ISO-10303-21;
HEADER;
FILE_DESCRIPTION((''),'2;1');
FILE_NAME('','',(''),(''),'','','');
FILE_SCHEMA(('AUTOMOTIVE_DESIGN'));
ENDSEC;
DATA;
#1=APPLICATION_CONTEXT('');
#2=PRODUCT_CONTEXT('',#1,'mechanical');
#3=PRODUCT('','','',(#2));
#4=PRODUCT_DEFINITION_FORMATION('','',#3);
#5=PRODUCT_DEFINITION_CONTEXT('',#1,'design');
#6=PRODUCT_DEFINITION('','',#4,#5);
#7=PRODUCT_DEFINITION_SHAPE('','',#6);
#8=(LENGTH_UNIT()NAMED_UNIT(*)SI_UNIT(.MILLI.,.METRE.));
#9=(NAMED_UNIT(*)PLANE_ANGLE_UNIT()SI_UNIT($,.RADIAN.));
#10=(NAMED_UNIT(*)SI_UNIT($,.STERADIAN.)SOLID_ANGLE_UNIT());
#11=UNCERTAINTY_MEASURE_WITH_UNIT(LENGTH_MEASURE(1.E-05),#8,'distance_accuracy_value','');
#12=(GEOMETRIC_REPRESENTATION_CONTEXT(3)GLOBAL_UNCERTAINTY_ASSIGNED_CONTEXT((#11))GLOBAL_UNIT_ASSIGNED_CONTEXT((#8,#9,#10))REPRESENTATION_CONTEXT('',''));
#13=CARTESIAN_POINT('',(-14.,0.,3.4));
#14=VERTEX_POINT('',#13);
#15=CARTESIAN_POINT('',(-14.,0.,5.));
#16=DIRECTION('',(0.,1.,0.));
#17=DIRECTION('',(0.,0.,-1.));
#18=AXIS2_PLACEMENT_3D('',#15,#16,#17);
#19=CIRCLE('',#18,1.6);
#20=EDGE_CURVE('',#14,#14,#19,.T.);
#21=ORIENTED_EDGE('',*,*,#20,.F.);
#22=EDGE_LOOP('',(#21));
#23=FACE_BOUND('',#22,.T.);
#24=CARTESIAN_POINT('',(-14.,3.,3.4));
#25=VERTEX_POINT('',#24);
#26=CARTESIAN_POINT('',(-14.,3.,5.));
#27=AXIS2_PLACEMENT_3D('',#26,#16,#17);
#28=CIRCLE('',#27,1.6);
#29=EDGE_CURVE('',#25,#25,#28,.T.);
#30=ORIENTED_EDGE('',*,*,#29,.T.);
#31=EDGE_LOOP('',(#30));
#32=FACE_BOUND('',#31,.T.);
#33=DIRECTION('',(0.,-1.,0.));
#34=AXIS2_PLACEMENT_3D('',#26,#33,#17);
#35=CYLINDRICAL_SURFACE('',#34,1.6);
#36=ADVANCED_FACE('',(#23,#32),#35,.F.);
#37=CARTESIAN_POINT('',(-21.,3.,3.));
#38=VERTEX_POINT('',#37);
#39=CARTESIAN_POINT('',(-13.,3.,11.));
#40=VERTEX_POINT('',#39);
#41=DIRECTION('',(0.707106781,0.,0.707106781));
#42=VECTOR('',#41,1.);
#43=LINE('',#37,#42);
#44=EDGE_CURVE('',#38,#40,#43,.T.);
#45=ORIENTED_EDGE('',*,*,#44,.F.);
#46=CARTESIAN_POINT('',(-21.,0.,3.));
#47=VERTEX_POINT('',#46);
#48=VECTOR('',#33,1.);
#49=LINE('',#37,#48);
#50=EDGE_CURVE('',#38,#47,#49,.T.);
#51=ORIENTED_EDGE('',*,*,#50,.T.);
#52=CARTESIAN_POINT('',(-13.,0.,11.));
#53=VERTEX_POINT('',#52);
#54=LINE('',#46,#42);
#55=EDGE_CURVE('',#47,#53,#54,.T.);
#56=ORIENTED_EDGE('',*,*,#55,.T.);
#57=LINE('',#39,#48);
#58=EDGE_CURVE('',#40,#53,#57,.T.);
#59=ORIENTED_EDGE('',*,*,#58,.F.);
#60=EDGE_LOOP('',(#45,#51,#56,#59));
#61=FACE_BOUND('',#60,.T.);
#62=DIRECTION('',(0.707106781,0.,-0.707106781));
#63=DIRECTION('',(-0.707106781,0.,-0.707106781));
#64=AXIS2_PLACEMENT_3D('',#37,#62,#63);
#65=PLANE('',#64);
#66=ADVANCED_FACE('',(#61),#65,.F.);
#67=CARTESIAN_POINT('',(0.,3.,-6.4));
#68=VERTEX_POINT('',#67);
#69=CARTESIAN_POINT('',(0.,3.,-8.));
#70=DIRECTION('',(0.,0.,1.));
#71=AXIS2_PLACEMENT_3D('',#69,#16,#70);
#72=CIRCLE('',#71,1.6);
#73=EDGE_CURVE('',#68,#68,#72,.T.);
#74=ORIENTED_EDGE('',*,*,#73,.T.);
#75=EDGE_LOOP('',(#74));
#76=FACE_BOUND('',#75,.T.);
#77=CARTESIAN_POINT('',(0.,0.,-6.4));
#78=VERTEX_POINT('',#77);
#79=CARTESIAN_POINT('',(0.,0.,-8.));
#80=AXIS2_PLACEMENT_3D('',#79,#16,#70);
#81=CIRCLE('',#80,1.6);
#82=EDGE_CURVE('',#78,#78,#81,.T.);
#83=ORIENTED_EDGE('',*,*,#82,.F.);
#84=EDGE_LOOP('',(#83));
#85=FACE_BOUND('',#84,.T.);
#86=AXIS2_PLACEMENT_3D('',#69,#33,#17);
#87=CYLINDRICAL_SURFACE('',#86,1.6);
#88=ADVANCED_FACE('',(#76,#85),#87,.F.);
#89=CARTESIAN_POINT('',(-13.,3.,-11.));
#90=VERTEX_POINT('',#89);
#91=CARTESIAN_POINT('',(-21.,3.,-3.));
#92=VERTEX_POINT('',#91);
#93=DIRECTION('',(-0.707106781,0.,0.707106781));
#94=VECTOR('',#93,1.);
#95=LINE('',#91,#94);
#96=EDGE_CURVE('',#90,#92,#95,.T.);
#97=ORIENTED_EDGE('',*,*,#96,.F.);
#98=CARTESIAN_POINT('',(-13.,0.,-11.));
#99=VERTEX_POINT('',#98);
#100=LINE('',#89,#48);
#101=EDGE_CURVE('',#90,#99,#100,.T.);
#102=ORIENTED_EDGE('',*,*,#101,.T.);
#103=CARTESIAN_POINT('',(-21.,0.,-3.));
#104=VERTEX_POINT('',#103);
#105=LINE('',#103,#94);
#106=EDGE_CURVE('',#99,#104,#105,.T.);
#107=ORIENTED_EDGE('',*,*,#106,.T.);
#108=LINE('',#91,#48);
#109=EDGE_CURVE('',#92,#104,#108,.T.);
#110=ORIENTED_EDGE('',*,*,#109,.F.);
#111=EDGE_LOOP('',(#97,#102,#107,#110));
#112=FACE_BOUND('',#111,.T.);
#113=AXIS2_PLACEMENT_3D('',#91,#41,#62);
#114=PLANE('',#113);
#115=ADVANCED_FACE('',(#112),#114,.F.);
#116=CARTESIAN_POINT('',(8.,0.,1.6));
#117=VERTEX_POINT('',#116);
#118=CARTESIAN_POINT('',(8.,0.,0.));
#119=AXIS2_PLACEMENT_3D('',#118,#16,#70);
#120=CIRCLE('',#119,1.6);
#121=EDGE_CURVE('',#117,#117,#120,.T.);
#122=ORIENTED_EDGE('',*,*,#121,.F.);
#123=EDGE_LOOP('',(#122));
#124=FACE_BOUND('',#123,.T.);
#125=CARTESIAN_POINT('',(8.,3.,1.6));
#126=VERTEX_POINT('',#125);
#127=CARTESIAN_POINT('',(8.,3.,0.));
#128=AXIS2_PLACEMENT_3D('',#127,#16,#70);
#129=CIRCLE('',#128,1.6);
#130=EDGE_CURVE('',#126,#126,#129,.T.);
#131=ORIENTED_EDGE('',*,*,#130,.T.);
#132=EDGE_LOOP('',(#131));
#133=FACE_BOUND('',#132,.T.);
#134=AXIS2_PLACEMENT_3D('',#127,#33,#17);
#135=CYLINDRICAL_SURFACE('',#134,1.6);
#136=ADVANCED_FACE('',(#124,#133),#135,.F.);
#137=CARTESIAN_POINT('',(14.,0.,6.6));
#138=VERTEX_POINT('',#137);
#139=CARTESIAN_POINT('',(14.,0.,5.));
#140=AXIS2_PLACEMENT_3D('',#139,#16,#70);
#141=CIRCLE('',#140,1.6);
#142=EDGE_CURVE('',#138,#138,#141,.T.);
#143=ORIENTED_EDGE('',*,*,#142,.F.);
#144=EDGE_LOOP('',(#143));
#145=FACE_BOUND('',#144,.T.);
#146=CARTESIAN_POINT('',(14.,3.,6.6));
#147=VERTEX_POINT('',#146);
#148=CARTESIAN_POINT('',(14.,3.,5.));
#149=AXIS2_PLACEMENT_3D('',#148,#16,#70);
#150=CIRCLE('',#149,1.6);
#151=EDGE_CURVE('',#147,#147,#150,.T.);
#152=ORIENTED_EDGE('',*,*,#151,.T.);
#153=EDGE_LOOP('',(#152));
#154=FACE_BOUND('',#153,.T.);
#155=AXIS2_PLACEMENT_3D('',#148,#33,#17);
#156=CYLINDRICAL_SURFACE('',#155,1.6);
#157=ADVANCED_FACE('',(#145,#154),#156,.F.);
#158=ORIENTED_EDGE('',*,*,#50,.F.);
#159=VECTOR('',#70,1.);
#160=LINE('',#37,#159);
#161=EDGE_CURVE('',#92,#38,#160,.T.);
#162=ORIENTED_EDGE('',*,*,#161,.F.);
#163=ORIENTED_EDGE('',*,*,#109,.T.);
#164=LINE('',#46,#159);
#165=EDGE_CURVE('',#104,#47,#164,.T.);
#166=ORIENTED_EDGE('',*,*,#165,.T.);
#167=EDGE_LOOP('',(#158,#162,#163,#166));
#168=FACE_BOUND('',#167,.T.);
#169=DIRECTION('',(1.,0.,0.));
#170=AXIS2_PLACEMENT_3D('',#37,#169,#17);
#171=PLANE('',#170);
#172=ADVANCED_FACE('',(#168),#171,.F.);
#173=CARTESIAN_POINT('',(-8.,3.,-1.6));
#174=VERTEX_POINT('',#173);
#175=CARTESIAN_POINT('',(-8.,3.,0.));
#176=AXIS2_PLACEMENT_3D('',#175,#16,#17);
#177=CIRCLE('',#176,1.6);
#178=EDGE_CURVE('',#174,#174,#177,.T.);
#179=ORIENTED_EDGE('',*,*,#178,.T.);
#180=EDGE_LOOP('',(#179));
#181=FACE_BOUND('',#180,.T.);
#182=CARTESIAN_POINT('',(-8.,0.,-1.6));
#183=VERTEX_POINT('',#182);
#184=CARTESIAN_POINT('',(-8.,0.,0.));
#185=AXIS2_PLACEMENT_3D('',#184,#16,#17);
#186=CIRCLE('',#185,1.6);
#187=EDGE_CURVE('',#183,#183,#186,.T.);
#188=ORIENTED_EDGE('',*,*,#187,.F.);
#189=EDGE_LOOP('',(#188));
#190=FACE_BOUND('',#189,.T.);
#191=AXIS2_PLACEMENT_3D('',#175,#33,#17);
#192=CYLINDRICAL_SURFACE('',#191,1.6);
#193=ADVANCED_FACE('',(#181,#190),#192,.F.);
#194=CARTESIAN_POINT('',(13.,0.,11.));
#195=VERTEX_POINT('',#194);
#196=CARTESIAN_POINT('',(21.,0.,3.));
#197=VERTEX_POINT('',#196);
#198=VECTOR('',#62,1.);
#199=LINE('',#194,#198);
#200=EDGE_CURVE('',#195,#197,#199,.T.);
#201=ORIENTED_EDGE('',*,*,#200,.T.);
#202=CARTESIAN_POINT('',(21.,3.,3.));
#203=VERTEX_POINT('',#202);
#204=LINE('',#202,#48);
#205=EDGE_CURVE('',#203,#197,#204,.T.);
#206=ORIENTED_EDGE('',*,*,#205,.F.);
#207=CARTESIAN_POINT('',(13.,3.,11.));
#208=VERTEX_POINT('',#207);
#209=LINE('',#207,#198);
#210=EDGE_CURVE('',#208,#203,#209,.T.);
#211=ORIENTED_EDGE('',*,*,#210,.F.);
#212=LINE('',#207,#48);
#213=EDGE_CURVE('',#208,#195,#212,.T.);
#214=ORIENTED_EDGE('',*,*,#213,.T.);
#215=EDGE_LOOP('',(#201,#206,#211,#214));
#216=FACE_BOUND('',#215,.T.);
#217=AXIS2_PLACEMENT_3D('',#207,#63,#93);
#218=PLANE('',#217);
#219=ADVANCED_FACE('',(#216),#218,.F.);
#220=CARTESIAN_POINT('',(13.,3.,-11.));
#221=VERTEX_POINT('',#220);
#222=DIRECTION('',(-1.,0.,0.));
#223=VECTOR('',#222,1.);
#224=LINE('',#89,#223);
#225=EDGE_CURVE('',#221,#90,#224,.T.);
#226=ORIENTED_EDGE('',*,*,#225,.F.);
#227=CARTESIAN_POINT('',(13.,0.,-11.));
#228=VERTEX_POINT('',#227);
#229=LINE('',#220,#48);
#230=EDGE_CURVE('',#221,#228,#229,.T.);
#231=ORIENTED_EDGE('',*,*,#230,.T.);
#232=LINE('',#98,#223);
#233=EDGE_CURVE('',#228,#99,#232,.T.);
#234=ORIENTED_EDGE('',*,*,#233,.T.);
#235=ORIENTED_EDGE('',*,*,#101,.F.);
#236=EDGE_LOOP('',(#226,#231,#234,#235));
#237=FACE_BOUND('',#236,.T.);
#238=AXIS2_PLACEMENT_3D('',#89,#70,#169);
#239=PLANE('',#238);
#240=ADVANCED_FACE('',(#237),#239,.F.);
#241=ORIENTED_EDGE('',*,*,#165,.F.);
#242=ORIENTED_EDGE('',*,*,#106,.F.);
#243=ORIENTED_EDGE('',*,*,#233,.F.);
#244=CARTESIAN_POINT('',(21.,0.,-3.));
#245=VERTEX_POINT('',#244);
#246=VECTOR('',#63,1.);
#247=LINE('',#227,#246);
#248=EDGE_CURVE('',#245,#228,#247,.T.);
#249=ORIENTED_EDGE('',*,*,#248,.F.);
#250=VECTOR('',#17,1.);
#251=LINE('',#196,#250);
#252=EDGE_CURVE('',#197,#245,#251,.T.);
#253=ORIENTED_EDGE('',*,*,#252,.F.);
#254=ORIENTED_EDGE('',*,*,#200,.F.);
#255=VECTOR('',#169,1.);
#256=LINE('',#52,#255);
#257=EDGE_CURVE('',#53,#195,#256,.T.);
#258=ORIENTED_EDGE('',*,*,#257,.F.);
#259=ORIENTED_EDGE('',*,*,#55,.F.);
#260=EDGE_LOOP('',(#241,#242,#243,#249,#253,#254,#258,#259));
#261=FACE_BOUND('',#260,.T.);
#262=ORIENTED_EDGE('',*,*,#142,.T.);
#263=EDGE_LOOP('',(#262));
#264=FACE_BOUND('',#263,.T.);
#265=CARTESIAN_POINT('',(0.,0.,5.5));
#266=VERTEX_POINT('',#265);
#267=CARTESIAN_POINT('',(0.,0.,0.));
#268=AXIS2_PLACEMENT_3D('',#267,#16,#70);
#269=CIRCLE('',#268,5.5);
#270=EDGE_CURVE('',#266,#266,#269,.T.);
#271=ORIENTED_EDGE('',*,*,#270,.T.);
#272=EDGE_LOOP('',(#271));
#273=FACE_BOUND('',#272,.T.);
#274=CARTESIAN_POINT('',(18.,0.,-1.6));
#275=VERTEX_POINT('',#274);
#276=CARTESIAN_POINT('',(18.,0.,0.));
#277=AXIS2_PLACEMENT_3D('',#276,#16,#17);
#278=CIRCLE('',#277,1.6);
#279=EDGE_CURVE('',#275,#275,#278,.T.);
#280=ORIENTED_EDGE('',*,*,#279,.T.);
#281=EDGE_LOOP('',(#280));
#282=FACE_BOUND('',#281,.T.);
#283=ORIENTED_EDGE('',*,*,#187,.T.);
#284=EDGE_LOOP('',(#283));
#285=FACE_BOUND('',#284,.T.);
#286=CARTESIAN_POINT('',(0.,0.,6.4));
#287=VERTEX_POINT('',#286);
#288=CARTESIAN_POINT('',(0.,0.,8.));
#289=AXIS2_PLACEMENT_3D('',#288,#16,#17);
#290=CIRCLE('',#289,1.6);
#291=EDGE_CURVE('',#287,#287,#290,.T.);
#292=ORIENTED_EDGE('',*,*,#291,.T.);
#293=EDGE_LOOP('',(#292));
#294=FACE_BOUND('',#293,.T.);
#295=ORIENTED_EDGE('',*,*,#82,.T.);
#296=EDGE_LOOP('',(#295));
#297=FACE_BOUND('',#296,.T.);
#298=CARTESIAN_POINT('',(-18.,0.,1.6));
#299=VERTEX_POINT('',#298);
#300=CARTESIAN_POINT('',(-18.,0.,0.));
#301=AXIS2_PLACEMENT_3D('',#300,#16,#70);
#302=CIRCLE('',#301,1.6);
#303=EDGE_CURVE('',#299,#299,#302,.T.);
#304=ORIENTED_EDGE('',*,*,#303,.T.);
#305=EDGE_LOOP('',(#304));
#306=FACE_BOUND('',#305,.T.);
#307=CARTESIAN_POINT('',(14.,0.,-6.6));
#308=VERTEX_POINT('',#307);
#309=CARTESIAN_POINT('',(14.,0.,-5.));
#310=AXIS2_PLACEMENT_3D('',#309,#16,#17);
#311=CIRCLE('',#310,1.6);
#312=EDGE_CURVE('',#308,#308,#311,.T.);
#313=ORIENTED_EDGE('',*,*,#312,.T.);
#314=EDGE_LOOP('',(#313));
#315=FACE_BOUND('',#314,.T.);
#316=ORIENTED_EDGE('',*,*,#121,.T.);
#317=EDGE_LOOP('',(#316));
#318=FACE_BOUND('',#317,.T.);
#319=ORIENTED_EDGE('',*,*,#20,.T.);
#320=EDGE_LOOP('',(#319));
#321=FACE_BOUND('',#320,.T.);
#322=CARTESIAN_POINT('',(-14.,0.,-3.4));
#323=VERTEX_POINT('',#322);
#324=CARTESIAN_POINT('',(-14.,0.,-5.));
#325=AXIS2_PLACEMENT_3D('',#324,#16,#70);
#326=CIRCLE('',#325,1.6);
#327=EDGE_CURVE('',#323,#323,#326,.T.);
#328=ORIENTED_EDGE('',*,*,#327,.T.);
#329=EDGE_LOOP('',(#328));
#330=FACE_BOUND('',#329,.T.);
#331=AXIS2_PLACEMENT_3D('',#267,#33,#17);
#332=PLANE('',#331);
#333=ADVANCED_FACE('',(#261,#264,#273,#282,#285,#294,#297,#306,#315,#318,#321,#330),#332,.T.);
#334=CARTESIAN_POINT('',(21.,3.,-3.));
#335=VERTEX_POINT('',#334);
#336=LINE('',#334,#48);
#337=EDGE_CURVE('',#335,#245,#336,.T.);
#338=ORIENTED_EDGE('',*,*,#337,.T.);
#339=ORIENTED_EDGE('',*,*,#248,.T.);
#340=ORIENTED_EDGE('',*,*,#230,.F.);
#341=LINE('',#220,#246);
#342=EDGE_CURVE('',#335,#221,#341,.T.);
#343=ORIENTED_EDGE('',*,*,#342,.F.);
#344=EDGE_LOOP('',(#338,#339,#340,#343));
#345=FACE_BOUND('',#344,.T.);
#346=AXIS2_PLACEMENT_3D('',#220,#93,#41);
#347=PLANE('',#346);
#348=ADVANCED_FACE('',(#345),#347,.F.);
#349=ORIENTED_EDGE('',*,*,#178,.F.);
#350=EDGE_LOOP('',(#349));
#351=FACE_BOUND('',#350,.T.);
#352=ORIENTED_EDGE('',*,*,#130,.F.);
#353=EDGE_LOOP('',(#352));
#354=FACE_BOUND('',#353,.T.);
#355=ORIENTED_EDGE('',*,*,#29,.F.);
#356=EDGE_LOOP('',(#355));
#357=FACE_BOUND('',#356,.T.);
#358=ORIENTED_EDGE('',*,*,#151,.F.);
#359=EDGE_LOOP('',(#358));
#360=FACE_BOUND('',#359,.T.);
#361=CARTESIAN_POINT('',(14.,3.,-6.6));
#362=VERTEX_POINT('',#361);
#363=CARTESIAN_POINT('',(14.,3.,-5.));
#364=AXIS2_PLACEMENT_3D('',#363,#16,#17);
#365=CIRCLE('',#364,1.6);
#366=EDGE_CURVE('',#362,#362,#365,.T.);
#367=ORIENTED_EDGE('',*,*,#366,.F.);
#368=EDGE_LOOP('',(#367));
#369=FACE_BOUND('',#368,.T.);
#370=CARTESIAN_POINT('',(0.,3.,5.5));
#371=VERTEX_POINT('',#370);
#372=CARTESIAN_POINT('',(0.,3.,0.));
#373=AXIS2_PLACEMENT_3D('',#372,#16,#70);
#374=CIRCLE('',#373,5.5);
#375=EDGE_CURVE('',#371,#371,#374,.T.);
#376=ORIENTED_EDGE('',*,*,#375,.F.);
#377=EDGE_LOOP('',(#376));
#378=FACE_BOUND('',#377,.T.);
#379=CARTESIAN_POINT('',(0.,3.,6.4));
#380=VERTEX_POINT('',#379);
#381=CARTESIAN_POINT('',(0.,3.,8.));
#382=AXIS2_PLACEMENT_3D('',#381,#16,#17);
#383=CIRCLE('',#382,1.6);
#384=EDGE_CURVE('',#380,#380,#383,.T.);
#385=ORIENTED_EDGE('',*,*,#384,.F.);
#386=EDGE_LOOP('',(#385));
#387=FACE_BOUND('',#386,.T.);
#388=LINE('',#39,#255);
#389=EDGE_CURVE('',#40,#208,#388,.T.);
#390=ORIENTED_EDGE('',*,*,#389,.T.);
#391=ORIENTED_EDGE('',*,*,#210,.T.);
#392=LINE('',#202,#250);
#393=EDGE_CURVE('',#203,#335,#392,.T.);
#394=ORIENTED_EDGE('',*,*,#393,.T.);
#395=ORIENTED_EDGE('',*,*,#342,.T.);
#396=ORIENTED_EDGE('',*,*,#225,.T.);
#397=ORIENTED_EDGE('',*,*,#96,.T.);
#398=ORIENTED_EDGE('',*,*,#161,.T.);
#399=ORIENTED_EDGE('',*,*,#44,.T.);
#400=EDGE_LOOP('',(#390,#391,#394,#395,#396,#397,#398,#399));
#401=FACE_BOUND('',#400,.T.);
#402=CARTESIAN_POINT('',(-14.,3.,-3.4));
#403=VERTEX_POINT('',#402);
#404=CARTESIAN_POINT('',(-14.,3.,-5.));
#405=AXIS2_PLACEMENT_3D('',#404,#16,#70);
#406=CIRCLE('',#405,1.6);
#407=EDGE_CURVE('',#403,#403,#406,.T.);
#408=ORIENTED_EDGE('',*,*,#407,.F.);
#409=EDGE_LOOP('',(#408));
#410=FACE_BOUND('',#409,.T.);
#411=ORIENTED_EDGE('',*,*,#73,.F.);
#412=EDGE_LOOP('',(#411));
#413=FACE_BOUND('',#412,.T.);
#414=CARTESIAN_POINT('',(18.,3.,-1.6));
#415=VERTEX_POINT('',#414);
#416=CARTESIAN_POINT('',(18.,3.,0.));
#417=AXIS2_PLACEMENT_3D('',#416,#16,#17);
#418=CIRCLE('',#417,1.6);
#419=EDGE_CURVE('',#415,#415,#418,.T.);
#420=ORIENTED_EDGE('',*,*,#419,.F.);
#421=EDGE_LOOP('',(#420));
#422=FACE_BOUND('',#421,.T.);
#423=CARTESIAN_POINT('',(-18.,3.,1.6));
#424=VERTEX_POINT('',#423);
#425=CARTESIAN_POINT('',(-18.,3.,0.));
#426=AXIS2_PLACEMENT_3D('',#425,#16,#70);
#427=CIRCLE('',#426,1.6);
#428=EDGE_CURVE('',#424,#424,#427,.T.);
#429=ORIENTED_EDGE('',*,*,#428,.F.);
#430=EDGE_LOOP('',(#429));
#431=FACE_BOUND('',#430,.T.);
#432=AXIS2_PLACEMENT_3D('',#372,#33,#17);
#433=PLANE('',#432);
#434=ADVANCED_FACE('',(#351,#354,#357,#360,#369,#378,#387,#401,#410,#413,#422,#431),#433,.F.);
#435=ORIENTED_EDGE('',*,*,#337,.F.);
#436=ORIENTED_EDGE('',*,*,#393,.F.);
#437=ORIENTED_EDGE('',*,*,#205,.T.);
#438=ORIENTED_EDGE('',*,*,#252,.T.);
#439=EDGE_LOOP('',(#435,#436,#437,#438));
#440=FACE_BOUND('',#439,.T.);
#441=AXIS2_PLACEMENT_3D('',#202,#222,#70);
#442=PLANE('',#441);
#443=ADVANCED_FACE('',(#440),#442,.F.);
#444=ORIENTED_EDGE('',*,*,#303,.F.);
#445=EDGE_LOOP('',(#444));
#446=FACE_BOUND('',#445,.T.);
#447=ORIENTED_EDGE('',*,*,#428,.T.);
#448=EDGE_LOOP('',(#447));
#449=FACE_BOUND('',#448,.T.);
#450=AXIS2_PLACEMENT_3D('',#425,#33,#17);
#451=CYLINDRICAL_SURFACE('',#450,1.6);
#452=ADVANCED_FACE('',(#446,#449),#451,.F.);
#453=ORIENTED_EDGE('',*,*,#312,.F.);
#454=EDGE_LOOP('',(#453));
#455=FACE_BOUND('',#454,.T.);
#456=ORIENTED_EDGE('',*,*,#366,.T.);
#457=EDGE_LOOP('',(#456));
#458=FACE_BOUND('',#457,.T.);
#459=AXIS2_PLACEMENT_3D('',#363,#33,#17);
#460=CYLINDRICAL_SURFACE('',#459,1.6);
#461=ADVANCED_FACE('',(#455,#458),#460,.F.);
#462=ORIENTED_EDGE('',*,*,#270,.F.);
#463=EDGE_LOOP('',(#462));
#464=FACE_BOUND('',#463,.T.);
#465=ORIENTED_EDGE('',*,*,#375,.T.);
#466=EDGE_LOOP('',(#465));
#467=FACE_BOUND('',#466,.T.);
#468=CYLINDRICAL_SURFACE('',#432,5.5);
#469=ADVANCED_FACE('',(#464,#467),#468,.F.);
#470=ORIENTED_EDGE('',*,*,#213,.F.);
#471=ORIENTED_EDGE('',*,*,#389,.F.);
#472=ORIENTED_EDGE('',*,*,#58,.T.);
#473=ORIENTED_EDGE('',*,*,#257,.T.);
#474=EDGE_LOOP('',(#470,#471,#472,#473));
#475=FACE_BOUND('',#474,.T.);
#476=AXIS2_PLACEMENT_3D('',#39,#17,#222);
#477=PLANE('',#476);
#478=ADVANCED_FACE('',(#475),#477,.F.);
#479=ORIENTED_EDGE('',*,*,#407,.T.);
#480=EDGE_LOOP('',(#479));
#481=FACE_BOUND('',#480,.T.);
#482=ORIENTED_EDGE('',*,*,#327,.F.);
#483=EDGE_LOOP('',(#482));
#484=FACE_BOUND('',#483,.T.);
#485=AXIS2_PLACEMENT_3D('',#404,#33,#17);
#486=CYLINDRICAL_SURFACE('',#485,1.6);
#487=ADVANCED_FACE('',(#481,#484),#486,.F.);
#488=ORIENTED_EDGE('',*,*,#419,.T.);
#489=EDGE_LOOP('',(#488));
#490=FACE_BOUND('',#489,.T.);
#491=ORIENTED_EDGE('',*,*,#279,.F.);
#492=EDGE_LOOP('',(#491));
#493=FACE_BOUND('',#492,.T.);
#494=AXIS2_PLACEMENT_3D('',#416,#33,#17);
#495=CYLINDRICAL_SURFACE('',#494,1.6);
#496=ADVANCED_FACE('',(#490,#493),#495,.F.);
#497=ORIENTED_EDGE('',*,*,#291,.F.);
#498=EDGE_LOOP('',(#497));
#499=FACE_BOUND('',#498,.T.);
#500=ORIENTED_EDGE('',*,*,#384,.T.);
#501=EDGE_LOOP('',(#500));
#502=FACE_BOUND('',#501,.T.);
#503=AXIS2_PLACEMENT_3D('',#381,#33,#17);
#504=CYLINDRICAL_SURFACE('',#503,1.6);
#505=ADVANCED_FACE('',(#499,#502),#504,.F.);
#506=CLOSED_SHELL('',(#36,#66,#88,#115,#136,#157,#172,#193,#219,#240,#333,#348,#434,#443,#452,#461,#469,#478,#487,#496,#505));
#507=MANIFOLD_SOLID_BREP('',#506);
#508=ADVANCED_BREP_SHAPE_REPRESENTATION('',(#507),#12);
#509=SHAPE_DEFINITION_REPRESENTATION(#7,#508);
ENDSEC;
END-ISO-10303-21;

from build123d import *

# Parameters (mm, degrees)
SKETCH_1_R      = 1.6
SKETCH_1_R_2    = 5.5
EXTRUDE_1_DEPTH = 3


with BuildPart() as part:
    # 草图1 → 凸台-拉伸1 (new body)
    with BuildSketch(Plane(origin=(0, 0, 0), x_dir=(1, 0, 0), z_dir=(0, 1, 0))):
        Polygon((-21, 3), (-13, 11), (13, 11), (21, 3), (21, -3), (13, -11), (-13, -11), (-21, -3), align=None)
        with Locations(Location((0, 8, 0), (0, 0, 270))):
            Circle(SKETCH_1_R, mode=Mode.SUBTRACT)
        with Locations(Location((8, 0, 0), (0, 0, 270))):
            Circle(SKETCH_1_R, mode=Mode.SUBTRACT)
        with Locations(Location((-8, 0, 0), (0, 0, 90))):
            Circle(SKETCH_1_R, mode=Mode.SUBTRACT)
        with Locations(Location((0, 0, 0), (0, 0, 270))):
            Circle(SKETCH_1_R_2, mode=Mode.SUBTRACT)
        with Locations(Location((0, -8, 0), (0, 0, 90))):
            Circle(SKETCH_1_R, mode=Mode.SUBTRACT)
        with Locations(Location((-18, 0, 0), (0, 0, 270))):
            Circle(SKETCH_1_R, mode=Mode.SUBTRACT)
        with Locations(Location((-14, 5, 0), (0, 0, 270))):
            Circle(SKETCH_1_R, mode=Mode.SUBTRACT)
        with Locations(Location((-14, -5, 0), (0, 0, 90))):
            Circle(SKETCH_1_R, mode=Mode.SUBTRACT)
        with Locations(Location((14, -5, 0), (0, 0, 270))):
            Circle(SKETCH_1_R, mode=Mode.SUBTRACT)
        with Locations(Location((18, 0, 0), (0, 0, 90))):
            Circle(SKETCH_1_R, mode=Mode.SUBTRACT)
        with Locations(Location((14, 5, 0), (0, 0, 90))):
            Circle(SKETCH_1_R, mode=Mode.SUBTRACT)
    extrude(amount=EXTRUDE_1_DEPTH)


solid = part.part
